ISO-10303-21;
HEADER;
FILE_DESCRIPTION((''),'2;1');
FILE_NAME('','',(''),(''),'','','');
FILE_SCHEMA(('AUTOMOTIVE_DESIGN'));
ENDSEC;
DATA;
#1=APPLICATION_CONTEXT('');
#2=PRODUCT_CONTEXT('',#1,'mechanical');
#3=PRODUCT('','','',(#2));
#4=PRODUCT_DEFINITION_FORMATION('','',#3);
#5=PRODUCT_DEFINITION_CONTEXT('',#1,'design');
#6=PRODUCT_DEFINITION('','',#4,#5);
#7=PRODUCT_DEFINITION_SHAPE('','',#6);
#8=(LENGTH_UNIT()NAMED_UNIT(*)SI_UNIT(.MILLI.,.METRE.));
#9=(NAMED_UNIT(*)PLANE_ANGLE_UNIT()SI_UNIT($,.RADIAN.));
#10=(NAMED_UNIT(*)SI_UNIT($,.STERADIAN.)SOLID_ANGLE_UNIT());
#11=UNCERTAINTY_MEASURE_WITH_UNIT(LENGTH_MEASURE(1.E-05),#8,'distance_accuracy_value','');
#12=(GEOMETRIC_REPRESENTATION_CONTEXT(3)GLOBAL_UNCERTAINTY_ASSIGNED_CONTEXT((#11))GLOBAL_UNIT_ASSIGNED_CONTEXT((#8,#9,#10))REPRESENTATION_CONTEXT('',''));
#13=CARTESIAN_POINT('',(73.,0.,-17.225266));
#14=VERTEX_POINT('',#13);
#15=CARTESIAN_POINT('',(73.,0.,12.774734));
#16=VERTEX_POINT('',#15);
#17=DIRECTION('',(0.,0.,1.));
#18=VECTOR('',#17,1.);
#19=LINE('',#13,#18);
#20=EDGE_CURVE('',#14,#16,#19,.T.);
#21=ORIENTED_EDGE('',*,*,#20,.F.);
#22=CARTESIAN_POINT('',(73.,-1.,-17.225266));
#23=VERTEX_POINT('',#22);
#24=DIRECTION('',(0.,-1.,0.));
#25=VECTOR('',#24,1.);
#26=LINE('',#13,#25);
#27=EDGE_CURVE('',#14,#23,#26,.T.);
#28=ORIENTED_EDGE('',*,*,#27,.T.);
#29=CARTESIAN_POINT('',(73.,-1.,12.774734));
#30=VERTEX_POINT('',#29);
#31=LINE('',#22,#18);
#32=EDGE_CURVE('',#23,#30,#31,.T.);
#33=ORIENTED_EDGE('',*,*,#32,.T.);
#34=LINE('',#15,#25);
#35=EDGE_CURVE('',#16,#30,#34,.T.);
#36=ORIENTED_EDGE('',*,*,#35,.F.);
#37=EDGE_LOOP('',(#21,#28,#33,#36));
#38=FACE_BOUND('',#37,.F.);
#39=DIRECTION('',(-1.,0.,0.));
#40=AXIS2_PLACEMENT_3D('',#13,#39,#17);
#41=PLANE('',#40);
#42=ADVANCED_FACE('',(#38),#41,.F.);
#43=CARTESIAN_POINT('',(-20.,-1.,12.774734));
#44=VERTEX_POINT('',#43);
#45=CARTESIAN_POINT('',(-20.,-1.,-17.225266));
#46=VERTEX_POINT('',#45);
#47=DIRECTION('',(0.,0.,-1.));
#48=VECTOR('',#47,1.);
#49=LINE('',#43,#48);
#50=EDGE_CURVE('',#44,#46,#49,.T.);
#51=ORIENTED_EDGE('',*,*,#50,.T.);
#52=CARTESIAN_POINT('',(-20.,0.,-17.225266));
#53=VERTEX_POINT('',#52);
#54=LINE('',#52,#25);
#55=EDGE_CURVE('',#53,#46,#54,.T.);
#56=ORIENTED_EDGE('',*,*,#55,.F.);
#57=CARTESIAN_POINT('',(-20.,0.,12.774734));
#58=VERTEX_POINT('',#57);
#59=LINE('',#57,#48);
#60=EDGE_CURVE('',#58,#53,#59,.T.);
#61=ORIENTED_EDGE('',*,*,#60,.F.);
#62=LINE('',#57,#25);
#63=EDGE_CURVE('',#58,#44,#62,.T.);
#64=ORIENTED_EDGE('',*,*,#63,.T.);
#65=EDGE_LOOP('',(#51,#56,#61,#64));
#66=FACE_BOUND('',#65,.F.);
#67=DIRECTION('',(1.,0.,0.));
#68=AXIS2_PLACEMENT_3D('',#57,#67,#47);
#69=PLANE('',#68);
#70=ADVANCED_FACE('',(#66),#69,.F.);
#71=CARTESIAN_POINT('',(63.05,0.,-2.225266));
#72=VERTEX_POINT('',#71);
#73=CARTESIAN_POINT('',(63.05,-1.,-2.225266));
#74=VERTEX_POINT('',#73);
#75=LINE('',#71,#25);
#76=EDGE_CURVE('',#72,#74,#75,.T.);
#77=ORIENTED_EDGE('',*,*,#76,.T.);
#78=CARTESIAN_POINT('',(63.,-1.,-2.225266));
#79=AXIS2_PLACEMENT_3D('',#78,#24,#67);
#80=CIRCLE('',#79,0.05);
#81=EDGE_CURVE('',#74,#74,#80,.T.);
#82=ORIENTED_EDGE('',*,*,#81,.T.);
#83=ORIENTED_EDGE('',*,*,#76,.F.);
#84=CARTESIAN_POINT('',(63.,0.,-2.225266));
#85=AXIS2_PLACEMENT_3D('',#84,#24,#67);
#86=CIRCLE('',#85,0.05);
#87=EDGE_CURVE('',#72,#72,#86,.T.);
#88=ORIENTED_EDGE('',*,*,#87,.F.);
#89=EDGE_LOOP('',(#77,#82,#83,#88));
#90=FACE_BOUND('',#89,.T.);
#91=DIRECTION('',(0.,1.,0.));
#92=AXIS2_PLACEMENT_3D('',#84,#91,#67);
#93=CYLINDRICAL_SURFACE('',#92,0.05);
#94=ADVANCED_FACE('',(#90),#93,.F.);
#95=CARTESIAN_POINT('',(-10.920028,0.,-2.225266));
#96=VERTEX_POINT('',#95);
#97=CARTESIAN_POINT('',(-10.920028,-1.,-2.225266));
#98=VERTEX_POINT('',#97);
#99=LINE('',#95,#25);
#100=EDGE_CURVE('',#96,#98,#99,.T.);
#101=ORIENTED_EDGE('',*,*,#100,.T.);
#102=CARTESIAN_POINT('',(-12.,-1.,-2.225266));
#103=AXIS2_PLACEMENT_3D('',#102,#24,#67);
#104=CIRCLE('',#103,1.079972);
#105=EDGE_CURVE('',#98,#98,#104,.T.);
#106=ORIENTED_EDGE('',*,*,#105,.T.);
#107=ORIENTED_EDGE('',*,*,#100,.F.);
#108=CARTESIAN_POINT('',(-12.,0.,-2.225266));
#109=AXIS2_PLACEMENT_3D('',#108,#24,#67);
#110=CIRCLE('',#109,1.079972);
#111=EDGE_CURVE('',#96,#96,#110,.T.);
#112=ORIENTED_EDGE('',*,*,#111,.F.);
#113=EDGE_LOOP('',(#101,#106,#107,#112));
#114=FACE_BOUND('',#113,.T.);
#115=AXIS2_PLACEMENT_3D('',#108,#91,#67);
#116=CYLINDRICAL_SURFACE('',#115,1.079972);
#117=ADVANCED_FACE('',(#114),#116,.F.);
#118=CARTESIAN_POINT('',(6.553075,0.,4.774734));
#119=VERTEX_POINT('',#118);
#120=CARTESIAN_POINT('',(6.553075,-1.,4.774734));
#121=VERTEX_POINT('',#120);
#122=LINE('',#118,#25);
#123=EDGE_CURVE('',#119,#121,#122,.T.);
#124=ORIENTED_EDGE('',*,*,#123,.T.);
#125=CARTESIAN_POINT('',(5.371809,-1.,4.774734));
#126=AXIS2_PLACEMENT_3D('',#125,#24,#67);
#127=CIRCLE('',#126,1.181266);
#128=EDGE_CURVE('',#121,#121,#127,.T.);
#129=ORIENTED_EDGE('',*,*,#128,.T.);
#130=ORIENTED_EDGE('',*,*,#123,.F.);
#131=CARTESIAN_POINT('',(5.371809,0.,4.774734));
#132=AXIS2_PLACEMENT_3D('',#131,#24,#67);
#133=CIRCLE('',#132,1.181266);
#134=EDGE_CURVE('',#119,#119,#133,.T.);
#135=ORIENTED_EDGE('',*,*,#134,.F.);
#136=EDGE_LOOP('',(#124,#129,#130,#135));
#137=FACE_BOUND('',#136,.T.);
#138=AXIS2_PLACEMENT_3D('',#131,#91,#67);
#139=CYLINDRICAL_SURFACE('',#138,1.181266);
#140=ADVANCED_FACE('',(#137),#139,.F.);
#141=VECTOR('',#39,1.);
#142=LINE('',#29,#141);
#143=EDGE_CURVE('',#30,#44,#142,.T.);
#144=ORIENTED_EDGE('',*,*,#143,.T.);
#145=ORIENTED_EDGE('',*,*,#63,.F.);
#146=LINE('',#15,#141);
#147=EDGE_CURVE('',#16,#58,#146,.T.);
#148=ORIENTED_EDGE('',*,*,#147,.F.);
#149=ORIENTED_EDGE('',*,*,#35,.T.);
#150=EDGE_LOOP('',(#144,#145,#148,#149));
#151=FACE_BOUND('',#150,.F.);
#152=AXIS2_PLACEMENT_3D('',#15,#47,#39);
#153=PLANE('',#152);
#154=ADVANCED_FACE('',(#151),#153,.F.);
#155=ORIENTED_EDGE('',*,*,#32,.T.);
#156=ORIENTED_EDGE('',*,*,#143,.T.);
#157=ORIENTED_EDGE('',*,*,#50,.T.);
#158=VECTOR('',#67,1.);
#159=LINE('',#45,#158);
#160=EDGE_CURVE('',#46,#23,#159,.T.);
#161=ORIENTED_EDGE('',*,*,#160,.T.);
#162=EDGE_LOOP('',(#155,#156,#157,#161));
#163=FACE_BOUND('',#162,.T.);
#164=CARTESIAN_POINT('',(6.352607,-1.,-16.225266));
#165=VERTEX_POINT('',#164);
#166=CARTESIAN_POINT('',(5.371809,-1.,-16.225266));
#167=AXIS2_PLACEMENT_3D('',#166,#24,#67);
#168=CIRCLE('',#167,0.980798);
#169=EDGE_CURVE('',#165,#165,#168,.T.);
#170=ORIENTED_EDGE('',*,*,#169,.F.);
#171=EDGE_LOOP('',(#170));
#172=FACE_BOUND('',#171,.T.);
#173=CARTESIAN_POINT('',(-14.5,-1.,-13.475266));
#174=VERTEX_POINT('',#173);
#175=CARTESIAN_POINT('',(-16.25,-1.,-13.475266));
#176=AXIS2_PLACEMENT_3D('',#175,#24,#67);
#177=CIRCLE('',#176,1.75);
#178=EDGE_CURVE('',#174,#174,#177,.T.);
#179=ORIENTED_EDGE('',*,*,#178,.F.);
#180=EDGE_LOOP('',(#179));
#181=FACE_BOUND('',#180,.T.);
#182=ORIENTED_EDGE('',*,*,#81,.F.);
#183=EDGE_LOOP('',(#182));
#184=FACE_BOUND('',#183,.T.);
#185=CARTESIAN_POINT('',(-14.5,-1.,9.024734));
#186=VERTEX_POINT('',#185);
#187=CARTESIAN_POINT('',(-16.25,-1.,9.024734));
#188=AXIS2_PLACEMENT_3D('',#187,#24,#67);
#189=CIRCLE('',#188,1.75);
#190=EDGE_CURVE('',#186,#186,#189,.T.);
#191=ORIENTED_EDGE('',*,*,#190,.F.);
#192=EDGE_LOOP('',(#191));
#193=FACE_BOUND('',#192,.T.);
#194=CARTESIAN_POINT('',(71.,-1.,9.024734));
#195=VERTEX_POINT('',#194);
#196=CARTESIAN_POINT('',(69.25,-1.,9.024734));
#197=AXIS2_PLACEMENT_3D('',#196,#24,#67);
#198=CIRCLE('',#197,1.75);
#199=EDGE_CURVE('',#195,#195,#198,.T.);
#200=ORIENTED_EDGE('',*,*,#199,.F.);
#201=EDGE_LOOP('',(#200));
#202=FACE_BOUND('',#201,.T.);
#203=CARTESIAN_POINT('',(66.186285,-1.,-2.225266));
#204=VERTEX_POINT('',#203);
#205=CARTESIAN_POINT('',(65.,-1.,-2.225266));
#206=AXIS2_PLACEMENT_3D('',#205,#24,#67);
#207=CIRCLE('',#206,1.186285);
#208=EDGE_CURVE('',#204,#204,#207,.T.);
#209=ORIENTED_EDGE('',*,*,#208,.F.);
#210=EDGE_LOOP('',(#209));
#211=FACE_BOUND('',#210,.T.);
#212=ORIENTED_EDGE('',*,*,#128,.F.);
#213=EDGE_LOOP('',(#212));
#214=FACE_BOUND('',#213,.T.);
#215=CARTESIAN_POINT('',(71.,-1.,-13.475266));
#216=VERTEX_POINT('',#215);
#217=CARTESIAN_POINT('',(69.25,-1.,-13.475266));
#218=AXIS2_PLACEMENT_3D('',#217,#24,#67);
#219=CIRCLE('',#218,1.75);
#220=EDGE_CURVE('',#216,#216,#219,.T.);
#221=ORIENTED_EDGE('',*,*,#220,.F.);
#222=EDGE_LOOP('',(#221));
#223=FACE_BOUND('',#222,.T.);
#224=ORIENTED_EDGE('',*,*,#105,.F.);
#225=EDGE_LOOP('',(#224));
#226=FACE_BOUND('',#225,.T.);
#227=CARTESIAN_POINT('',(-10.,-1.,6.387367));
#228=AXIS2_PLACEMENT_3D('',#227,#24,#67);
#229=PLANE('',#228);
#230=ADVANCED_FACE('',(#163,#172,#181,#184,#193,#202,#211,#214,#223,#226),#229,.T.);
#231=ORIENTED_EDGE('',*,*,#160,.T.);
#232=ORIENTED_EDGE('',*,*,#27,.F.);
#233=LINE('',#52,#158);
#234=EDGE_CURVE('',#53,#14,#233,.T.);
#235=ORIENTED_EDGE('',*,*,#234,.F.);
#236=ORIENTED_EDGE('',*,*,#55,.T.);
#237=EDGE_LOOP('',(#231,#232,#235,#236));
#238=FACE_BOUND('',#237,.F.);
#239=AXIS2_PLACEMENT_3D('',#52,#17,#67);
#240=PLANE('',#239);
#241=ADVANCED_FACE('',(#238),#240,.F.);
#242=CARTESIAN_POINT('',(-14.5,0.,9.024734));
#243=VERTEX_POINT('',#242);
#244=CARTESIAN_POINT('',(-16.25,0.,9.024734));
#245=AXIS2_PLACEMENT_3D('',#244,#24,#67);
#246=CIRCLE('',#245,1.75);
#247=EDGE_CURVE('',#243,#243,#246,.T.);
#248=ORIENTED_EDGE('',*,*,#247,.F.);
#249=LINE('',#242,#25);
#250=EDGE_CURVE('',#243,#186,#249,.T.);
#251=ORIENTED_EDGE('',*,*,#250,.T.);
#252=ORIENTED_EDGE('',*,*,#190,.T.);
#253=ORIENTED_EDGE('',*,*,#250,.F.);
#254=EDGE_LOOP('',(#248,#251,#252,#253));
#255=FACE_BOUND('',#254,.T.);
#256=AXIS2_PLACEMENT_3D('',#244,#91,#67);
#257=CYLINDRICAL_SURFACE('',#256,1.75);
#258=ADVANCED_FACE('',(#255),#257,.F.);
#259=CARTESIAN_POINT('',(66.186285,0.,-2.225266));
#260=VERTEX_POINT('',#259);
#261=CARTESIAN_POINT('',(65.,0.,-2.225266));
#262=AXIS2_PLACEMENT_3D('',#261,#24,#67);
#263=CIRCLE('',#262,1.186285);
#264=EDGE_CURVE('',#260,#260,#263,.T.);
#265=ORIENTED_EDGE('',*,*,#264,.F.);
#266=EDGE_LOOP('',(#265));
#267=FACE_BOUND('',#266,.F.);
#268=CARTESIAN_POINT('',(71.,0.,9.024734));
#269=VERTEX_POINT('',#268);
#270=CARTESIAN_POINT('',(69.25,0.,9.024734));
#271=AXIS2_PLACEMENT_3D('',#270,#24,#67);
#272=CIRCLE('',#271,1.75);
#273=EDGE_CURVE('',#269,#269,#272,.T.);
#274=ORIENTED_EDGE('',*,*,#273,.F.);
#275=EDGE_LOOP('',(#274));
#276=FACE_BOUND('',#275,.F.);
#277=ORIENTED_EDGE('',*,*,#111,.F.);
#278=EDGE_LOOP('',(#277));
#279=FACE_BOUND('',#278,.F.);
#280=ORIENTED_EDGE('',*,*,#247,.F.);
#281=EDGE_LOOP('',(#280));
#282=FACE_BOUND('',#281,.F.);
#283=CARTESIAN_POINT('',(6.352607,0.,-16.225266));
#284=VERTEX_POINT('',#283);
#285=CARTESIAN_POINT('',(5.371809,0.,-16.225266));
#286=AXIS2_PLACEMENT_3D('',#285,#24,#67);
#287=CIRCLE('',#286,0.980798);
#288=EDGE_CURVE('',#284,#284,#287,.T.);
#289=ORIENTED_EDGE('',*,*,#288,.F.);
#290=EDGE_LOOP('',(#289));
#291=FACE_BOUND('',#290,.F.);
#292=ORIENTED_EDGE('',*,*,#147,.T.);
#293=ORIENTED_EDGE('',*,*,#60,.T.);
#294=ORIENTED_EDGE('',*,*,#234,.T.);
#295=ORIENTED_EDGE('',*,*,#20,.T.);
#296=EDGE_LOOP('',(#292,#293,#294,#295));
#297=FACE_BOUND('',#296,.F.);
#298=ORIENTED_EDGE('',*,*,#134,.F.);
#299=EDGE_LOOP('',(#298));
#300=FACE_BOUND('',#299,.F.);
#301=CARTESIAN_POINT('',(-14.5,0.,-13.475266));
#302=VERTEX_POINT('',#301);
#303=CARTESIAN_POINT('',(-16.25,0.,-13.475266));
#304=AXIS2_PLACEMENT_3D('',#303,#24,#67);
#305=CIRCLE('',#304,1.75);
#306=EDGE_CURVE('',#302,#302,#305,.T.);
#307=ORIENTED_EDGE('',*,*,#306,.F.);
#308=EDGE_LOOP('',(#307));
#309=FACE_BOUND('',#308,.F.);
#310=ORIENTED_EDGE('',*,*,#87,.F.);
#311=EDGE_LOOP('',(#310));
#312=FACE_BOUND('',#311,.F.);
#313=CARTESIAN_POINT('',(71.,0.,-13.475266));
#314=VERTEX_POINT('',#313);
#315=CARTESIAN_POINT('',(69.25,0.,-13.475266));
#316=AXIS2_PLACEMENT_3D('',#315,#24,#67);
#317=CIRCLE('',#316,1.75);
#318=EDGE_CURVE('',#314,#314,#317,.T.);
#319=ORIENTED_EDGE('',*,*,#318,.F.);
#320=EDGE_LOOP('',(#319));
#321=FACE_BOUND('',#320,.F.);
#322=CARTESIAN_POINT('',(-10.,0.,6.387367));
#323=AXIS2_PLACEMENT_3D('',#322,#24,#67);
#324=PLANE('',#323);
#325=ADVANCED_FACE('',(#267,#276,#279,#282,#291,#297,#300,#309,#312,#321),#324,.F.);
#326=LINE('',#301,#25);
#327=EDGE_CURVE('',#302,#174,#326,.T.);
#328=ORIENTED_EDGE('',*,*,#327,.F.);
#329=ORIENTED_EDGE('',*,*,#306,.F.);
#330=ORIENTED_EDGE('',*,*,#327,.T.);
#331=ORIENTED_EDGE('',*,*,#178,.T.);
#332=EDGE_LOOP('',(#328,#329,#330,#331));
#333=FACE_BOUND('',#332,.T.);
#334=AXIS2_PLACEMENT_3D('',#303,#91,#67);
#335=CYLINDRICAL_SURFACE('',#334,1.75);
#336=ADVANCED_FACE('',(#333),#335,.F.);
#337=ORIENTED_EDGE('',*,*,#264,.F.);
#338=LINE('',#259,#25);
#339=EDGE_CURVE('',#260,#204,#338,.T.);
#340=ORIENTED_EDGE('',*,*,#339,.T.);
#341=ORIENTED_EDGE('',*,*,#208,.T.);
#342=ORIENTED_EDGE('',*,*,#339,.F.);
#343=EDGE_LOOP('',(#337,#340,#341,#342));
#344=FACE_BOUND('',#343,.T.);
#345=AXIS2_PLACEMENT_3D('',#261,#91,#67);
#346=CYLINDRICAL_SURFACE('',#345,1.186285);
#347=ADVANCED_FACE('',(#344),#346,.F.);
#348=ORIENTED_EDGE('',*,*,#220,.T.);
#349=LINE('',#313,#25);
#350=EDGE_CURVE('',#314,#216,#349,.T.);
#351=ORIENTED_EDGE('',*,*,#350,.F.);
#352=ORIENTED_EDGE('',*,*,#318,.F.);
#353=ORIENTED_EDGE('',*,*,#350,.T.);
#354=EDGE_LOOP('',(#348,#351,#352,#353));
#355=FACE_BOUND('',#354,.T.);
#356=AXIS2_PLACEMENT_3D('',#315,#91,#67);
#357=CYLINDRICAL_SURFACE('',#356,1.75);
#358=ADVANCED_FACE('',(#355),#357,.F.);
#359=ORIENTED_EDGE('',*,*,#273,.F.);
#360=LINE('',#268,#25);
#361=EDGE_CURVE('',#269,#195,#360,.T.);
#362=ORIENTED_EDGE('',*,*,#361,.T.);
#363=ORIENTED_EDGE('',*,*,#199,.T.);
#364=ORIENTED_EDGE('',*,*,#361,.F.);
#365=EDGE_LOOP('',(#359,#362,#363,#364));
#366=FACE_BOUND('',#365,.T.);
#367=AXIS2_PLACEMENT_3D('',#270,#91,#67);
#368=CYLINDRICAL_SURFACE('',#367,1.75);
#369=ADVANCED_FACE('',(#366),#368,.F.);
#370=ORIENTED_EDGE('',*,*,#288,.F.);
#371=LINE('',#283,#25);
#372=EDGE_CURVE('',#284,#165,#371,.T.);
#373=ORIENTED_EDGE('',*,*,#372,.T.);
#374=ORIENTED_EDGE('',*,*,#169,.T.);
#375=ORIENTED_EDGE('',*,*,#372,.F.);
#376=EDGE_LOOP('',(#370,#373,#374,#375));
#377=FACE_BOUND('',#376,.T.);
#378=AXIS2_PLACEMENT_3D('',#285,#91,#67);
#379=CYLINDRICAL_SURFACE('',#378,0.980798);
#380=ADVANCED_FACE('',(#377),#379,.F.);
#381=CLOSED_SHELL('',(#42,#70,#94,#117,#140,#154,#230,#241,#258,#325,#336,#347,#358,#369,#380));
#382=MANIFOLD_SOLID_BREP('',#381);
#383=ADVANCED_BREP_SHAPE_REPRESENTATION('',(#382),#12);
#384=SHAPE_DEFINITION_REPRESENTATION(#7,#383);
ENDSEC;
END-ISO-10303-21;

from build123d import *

# Parameters (mm, degrees)
F0_W     = 20
F0_H     = 12.774734
F0_R     = 1.75
F0_R_2   = 1.181266
F0_H_2   = 17.225266
F0_R_3   = 1.079972
F0_R_4   = 0.05
F0_R_5   = 1.186285
F0_R_6   = 0.980798
F1_DEPTH = 1


with BuildPart() as f1:
    # F0 (on Front) → F1 (new body)
    with BuildSketch(Plane.XZ):
        with Locations((-10, 6.387367)):
            Rectangle(F0_W, F0_H)
        with Locations((-16.25, 9.024734)):
            Circle(F0_R, mode=Mode.SUBTRACT)
        with Locations((10, 6.387367)):
            Rectangle(F0_W, F0_H)
        with Locations((5.371809, 4.774734)):
            Circle(F0_R_2, mode=Mode.SUBTRACT)
        with Locations((-10, -8.612633)):
            Rectangle(F0_W, F0_H_2)
        with Locations((-16.25, -13.475266)):
            Circle(F0_R, mode=Mode.SUBTRACT)
        with Locations((-12, -2.225266)):
            Circle(F0_R_3, mode=Mode.SUBTRACT)
        Polygon((73, 12.774734), (20, 12.774734), (20, 0), (20, -17.225266), (73, -17.225266), align=None)
        with Locations((69.25, -13.475266)):
            Circle(F0_R, mode=Mode.SUBTRACT)
        with Locations((63, -2.225266)):
            Circle(F0_R_4, mode=Mode.SUBTRACT)
        with Locations((65, -2.225266)):
            Circle(F0_R_5, mode=Mode.SUBTRACT)
        with Locations((69.25, 9.024734)):
            Circle(F0_R, mode=Mode.SUBTRACT)
        with Locations((10, -8.612633)):
            Rectangle(F0_W, F0_H_2)
        with Locations((5.371809, -16.225266)):
            Circle(F0_R_6, mode=Mode.SUBTRACT)
    extrude(amount=F1_DEPTH)


solid = f1.part
